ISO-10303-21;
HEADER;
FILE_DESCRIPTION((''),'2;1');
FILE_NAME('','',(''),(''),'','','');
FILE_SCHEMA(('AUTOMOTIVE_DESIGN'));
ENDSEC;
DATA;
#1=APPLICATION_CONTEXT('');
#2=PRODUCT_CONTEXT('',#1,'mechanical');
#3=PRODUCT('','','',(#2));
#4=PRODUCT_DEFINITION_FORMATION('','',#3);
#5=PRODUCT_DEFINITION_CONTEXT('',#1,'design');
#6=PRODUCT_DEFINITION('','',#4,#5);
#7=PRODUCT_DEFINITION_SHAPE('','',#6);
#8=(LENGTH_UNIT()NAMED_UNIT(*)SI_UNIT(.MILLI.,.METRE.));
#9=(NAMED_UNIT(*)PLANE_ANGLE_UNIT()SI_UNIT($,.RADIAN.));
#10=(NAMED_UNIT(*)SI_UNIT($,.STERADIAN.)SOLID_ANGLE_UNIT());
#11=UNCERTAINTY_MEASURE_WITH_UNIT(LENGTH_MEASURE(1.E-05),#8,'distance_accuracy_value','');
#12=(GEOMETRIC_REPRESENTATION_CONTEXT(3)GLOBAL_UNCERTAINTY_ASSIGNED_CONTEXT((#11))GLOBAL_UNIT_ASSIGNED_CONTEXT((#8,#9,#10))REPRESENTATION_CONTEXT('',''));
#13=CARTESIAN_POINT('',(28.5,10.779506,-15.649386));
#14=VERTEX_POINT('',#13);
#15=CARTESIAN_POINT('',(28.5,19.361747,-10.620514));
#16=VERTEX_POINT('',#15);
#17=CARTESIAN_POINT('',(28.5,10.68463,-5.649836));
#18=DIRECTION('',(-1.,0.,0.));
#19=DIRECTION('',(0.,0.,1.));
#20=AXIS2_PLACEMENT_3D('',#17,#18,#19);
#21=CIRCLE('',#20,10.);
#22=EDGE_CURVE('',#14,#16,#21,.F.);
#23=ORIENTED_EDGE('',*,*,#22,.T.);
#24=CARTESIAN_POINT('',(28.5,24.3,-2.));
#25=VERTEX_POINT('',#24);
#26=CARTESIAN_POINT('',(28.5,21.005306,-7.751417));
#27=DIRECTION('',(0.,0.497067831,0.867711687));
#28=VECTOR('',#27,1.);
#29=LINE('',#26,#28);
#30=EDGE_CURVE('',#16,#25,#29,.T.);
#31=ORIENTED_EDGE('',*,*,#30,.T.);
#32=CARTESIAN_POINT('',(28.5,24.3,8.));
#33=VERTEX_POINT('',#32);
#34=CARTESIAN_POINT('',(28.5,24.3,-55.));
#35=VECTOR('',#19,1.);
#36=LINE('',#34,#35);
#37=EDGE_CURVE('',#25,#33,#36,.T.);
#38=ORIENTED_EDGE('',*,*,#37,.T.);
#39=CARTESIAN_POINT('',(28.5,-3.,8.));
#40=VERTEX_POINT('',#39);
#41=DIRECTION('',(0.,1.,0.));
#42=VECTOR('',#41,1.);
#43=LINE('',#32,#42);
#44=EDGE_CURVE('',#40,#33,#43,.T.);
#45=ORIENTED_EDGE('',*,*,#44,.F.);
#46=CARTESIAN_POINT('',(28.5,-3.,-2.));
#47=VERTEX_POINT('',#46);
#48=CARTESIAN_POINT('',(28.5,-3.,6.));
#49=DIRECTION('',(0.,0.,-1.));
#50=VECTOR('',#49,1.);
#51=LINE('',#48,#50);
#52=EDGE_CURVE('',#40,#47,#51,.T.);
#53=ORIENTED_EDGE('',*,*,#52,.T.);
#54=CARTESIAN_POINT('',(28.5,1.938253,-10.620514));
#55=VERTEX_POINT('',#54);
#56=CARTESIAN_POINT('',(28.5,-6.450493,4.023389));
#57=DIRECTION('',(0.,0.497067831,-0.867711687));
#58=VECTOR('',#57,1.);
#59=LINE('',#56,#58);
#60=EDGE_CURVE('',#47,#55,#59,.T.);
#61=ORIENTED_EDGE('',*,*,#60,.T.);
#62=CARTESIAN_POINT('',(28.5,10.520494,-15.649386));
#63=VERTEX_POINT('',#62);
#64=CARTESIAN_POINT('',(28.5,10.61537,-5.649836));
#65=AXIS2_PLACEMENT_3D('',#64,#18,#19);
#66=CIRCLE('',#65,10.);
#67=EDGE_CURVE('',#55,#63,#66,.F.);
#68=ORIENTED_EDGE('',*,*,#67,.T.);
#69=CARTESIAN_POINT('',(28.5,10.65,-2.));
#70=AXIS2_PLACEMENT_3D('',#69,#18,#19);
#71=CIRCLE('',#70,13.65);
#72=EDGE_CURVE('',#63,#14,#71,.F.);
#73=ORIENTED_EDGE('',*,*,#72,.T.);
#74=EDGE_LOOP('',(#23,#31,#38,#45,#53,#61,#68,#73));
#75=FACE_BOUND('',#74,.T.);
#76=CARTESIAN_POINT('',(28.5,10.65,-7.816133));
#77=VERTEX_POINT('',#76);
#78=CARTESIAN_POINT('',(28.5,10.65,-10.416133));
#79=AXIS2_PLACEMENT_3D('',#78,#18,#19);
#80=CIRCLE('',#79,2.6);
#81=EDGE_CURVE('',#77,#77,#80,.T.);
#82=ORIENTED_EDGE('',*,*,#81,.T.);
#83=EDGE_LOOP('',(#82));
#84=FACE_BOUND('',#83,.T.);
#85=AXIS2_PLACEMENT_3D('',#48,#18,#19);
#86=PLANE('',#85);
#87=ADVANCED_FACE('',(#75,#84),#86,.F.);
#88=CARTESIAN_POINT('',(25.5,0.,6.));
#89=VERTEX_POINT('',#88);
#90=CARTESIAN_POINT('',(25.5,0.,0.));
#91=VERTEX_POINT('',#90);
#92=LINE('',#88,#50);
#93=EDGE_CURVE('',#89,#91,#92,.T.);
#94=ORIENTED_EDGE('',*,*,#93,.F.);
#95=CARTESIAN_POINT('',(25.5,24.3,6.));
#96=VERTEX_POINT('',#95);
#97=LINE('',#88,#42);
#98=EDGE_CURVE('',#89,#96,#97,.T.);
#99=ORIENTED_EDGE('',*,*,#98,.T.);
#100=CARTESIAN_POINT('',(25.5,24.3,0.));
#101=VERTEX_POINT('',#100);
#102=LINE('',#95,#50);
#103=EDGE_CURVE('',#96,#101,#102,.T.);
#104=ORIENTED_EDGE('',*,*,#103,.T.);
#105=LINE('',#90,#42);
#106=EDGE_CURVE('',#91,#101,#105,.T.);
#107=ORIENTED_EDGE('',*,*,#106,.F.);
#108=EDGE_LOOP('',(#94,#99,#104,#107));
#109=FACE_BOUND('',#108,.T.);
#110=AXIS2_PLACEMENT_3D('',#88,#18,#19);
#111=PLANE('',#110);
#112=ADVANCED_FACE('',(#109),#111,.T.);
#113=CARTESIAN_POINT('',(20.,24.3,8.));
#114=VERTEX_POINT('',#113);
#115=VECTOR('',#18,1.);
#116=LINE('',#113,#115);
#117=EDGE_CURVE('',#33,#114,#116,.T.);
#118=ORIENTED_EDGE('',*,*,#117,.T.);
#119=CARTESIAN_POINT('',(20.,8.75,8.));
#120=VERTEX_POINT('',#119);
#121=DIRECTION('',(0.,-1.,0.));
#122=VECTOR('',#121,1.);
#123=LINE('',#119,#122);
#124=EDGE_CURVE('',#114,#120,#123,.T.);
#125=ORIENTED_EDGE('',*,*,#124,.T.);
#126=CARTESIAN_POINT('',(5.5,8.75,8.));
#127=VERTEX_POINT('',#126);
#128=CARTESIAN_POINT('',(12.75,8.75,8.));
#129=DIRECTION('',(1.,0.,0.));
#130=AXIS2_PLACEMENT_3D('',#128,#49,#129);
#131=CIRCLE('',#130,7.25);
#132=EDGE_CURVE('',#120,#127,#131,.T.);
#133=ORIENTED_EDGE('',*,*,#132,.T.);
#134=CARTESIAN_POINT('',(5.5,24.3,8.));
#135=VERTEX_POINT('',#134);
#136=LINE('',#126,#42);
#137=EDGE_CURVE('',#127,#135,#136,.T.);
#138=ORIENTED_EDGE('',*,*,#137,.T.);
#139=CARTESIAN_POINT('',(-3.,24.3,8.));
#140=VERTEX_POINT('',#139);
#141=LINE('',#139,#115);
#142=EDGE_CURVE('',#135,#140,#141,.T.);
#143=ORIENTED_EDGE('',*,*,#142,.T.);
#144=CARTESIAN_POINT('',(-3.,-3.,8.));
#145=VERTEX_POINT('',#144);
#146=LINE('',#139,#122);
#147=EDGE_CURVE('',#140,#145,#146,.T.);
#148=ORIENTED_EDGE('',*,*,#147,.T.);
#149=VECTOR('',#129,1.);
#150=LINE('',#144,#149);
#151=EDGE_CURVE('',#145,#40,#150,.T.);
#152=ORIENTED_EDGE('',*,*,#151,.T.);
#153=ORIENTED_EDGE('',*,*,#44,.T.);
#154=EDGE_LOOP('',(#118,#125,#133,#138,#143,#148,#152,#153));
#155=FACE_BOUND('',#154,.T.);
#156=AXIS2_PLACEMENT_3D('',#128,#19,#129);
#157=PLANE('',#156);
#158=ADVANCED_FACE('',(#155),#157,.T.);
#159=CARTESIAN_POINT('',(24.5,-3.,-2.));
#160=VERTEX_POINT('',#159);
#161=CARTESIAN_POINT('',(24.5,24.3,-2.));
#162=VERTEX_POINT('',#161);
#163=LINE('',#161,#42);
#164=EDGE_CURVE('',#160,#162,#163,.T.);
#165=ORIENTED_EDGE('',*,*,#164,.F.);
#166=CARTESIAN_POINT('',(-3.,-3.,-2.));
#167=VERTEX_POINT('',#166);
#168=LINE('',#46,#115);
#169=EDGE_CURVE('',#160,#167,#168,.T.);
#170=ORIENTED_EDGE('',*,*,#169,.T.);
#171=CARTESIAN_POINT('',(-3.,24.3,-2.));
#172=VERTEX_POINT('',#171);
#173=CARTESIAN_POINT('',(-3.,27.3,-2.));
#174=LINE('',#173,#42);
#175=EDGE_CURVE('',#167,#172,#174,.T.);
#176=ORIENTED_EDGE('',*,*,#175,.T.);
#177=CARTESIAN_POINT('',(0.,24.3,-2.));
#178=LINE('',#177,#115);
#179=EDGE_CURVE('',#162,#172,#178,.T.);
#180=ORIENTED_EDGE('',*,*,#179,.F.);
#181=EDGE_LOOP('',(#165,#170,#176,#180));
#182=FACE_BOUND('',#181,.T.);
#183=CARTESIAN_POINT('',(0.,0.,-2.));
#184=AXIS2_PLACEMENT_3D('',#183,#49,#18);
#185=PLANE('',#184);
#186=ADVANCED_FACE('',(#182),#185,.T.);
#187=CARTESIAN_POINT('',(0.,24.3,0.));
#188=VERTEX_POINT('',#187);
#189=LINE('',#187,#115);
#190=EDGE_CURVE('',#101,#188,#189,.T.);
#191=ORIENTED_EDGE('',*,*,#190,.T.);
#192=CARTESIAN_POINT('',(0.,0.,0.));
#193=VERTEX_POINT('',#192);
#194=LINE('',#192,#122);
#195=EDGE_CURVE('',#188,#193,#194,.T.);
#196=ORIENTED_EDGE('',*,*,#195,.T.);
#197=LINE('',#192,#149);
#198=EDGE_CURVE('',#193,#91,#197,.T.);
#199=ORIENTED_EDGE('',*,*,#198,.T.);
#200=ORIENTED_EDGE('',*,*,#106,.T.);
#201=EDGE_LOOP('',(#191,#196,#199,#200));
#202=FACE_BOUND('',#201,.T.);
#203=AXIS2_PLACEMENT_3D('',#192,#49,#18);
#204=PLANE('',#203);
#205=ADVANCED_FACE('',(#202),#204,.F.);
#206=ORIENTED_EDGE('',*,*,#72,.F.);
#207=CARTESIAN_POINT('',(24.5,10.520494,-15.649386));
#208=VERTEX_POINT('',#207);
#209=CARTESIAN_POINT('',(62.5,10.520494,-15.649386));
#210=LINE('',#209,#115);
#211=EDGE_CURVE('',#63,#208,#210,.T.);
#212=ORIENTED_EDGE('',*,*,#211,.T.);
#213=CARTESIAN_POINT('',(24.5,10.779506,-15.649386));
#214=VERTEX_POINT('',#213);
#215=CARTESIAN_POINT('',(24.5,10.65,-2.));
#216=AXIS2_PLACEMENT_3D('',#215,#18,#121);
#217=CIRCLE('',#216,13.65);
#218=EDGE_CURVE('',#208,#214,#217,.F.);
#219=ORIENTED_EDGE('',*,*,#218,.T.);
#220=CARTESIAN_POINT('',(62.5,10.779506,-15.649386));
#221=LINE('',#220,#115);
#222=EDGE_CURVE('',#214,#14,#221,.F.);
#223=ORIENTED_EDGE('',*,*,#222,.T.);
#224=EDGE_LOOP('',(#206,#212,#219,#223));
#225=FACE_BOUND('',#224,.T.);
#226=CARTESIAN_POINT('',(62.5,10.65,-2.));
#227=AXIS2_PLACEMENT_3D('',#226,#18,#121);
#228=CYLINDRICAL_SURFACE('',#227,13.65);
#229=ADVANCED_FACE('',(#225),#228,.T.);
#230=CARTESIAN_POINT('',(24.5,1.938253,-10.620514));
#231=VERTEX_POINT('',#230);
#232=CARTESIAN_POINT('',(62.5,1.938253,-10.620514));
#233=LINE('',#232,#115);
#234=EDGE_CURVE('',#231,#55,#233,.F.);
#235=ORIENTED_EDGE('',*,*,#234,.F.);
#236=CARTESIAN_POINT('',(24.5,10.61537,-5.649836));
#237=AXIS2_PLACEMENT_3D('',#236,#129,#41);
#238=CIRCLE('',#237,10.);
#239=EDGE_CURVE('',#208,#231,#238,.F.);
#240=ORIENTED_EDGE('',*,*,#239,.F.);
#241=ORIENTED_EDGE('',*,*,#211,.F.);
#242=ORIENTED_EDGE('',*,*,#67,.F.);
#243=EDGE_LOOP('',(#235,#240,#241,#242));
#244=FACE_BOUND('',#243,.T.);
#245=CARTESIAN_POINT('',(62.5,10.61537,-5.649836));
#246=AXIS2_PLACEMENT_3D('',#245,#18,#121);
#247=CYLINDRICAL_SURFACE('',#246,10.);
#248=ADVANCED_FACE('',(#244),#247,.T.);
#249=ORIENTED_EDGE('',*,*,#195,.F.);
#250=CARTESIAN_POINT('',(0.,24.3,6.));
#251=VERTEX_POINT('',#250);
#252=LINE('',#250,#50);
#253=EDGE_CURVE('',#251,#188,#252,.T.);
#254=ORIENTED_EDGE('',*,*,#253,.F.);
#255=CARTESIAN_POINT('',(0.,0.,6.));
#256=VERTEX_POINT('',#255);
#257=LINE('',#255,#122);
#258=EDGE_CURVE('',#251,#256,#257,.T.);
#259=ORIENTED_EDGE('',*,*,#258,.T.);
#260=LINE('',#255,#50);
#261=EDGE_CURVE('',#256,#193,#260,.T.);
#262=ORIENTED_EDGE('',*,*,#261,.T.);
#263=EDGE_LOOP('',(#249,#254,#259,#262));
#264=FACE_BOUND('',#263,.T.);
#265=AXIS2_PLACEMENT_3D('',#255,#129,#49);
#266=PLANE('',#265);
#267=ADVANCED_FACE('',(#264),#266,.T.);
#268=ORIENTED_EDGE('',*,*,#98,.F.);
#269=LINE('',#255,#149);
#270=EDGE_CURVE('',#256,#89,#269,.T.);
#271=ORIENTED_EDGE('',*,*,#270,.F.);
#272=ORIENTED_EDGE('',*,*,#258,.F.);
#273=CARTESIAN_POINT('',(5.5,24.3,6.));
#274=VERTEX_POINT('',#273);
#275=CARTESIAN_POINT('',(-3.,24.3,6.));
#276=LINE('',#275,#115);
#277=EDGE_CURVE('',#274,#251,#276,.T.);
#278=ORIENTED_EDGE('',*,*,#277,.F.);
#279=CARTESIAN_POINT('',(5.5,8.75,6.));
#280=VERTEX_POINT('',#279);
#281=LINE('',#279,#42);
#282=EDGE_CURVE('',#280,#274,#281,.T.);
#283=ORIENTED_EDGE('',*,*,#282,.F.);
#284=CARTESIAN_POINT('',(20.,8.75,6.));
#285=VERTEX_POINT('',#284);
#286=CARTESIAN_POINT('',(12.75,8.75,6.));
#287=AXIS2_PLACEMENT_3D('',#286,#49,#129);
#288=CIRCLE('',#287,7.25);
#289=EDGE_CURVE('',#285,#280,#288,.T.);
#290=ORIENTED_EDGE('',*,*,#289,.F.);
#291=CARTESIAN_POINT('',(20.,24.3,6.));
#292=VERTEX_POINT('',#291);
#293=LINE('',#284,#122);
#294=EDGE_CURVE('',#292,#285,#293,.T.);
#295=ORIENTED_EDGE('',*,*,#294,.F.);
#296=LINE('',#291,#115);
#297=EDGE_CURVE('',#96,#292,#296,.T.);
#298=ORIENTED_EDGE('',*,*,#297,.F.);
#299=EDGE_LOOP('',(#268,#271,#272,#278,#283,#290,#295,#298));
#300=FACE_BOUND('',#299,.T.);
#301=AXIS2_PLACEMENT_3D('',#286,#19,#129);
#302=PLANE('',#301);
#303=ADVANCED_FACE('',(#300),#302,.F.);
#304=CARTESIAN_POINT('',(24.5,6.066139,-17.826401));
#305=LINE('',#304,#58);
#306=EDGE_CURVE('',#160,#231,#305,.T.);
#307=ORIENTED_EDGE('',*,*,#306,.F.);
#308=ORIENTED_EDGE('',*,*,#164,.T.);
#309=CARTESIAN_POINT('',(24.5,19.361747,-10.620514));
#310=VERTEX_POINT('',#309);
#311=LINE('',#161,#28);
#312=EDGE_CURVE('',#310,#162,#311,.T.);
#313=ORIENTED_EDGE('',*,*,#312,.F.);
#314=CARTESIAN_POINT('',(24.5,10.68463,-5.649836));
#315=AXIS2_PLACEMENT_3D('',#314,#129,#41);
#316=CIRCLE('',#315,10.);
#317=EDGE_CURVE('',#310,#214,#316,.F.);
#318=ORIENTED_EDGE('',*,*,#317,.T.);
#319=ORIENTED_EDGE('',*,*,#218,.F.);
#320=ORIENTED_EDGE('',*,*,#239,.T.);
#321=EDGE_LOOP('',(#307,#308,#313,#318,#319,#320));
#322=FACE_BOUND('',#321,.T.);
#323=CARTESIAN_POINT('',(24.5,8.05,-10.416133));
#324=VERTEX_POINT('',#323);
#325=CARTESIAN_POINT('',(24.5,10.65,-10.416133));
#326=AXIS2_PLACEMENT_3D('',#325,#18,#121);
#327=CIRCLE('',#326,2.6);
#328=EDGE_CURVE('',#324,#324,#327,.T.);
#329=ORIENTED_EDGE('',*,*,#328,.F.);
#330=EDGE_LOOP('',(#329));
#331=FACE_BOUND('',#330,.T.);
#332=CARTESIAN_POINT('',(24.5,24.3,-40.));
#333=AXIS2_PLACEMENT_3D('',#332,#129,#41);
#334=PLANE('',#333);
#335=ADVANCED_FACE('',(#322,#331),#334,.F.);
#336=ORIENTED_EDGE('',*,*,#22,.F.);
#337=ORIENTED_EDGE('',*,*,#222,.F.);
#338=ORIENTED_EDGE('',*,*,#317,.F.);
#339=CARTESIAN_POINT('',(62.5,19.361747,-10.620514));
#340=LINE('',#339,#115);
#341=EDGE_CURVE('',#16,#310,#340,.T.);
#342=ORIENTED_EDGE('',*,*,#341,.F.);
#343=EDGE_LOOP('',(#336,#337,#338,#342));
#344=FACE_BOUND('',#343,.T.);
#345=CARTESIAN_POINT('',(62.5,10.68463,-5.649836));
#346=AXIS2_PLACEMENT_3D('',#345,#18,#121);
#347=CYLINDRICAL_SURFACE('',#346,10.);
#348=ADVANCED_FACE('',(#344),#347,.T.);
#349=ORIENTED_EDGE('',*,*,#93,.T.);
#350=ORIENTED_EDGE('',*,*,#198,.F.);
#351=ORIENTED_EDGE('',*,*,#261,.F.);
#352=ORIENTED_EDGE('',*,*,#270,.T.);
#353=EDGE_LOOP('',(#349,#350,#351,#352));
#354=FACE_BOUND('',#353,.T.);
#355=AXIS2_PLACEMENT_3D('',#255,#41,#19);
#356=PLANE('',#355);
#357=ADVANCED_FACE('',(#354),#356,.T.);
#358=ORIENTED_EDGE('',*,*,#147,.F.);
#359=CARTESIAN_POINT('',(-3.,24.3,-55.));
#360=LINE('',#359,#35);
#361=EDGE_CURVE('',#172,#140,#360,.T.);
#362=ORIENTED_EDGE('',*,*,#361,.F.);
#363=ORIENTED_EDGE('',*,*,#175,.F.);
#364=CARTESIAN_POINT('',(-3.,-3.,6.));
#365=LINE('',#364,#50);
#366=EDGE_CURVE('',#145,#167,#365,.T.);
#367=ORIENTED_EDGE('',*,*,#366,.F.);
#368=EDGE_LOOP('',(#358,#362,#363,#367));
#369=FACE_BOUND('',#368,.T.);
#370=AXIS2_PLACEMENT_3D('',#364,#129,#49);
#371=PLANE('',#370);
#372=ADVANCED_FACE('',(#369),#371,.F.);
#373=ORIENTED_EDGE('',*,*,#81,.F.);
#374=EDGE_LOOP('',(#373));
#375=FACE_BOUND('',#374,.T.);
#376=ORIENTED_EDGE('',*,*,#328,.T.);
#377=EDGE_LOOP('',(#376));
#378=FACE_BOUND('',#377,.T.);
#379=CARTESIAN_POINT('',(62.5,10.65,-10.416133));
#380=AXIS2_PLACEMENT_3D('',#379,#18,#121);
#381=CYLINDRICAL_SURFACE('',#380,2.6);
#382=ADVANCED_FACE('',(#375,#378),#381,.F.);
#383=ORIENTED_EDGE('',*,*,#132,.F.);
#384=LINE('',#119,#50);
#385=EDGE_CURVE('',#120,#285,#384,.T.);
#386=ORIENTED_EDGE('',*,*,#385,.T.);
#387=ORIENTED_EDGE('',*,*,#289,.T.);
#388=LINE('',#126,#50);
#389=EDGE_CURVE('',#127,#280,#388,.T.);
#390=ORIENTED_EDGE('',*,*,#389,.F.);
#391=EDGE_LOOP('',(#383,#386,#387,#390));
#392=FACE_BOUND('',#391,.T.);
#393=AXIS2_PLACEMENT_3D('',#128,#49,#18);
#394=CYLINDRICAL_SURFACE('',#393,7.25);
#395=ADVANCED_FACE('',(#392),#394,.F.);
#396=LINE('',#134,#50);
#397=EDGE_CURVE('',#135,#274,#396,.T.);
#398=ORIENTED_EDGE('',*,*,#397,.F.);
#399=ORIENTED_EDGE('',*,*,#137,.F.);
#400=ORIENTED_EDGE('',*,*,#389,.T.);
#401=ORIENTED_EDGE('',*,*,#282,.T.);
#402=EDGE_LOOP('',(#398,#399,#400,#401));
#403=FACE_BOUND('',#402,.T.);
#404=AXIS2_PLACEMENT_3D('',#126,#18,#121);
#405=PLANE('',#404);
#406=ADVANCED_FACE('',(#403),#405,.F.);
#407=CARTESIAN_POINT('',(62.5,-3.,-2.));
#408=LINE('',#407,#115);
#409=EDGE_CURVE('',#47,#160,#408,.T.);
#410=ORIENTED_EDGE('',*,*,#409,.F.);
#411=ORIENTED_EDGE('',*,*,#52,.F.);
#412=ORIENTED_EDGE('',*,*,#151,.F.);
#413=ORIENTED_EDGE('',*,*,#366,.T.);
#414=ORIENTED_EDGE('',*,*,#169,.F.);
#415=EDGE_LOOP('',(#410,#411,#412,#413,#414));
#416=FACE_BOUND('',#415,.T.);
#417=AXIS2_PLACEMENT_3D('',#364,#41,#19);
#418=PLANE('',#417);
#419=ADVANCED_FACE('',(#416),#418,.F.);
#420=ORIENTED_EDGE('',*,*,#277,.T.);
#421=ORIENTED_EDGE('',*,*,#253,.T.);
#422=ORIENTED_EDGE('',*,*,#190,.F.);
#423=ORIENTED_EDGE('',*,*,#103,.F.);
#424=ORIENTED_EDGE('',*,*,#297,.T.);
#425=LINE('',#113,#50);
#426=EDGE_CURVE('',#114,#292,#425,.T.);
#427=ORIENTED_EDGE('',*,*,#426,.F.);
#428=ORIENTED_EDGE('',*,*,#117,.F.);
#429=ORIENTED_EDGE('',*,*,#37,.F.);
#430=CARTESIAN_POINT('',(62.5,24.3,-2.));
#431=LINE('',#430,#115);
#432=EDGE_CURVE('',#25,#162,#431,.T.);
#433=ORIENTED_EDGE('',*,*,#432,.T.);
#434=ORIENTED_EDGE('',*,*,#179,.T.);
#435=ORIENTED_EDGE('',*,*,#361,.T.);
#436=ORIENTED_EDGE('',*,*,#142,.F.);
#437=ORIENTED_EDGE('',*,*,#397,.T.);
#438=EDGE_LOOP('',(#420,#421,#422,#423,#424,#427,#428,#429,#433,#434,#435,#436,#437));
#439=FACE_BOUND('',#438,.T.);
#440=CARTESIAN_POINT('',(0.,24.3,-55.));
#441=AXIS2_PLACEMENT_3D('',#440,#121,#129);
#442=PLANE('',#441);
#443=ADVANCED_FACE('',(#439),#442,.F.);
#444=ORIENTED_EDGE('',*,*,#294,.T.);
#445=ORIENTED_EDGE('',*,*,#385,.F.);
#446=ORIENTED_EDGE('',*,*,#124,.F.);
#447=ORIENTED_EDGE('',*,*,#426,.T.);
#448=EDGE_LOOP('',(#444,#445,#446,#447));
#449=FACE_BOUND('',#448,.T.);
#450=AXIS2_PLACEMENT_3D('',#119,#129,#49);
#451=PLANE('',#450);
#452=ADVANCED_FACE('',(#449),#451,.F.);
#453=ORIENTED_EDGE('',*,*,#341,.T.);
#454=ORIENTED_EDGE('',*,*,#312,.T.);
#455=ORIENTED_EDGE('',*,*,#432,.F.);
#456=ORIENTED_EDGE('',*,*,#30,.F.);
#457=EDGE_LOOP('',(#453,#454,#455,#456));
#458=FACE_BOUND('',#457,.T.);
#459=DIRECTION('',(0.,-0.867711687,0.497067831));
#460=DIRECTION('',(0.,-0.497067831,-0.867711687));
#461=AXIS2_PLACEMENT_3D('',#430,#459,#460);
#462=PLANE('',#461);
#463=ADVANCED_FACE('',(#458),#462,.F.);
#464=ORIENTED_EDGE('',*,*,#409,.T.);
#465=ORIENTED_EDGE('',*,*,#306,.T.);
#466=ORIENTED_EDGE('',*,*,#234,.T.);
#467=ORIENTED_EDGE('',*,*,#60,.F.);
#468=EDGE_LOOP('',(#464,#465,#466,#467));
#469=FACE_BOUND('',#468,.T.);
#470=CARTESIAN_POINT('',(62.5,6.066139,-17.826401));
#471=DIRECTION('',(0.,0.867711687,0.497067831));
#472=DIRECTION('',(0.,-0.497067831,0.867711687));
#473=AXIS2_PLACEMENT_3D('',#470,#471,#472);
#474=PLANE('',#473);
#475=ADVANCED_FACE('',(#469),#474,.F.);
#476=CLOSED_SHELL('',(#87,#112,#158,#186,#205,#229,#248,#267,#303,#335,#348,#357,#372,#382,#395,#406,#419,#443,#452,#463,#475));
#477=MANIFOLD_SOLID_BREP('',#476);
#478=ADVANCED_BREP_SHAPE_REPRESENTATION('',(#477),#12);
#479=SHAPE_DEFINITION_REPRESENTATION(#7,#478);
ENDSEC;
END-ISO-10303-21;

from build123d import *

# Parameters (mm, degrees)
SKETCH1_W           = 31.5
SKETCH1_H           = 30.3
SKETCH1_W_2         = 25.5
SKETCH1_H_2         = 24.3
BOSS_EXTRUDE1_DEPTH = 6
SKETCH2_W           = 31.5
SKETCH2_H           = 30.3
BOSS_EXTRUDE2_DEPTH = 2
CUT_EXTRUDE1_DEPTH  = 61
BOSS_EXTRUDE3_DEPTH = 2
SKETCH5_W           = 4
SKETCH5_H           = 27.3
BOSS_EXTRUDE4_DEPTH = 38
CUT_EXTRUDE2_DEPTH  = 38
SKETCH7_R           = 2.6
CUT_EXTRUDE3_DEPTH  = 38
CUT_EXTRUDE4_DEPTH  = 38
FILLET1_R           = 10


with BuildPart() as part:
    # Sketch1 → Boss-Extrude1 (new body)
    with BuildSketch(Plane.XY):
        with Locations((12.75, 12.15)):
            Rectangle(SKETCH1_W, SKETCH1_H)
        with Locations((12.75, 12.15)):
            Rectangle(SKETCH1_W_2, SKETCH1_H_2, mode=Mode.SUBTRACT)
    extrude(amount=BOSS_EXTRUDE1_DEPTH)

    # Sketch2 → Boss-Extrude2 (add)
    with BuildSketch(Plane(origin=(0, 0, 0), x_dir=(-1, 0, 0), z_dir=(0, 0, -1))):
        with Locations((-12.75, 12.15)):
            Rectangle(SKETCH2_W, SKETCH2_H)
    extrude(amount=BOSS_EXTRUDE2_DEPTH)

    # Sketch3 → Cut-Extrude1 (cut)
    with BuildSketch(Plane.XY.offset(6)):
        Polygon((-3, 24.391972576), (-3, 27.3), (28.5, 27.3), (28.5, 24.391972576), (28.5, 24.3), (0, 24.3), (-3, 24.3), align=None)
    extrude(amount=-CUT_EXTRUDE1_DEPTH, mode=Mode.SUBTRACT)

    # Sketch4 → Boss-Extrude3 (add)
    with BuildSketch(Plane.XY.offset(6)):
        with BuildLine():
            Line((-3, 24.3), (5.5, 24.3))
            Line((5.5, 24.3), (5.5, 8.75))
            ThreePointArc((5.5, 8.75), (12.75, 1.5), (20, 8.75))
            Line((20, 8.75), (20, 24.3))
            Line((20, 24.3), (28.5, 24.3))
            Line((28.5, 24.3), (28.5, -3))
            Line((28.5, -3), (-3, -3))
            Line((-3, -3), (-3, 24.3))
        make_face()
    extrude(amount=BOSS_EXTRUDE3_DEPTH)

    # Sketch5 → Boss-Extrude4 (add)
    with BuildSketch(Plane(origin=(0, 0, -2), x_dir=(-1, 0, 0), z_dir=(0, 0, -1))):
        with Locations((-26.5, 10.65)):
            Rectangle(SKETCH5_W, SKETCH5_H)
    extrude(amount=BOSS_EXTRUDE4_DEPTH)

    # Sketch6 → Cut-Extrude2 (cut)
    with BuildSketch(Plane.ZY.offset(-24.5)):
        with BuildLine():
            Line((-2, -3), (-40, -3))
            Line((-40, -3), (-40, 24.3))
            Line((-40, 24.3), (-2, 24.3))
            Line((-2, 24.3), (-17.826401454, 15.23386068))
            ThreePointArc((-17.826401454, 15.23386068), (-18.562622883, 14.501365189), (-18.832265792, 13.498437306))
            Line((-18.832265792, 13.498437306), (-18.832265792, 7.801562694))
            ThreePointArc((-18.832265792, 7.801562694), (-18.562622883, 6.798634811), (-17.826401454, 6.06613932))
            Line((-17.826401454, 6.06613932), (-2, -3))
        make_face()
    extrude(amount=-CUT_EXTRUDE2_DEPTH, mode=Mode.SUBTRACT)

    # Sketch7 → Cut-Extrude3 (cut)
    with BuildSketch(Plane.ZY.offset(-24.5)):
        with Locations(Location((-10.416132896, 10.65, 0), (0, 0, 270))):
            Circle(SKETCH7_R)
    extrude(amount=-CUT_EXTRUDE3_DEPTH, mode=Mode.SUBTRACT)

    # Sketch8 → Cut-Extrude4 (cut)
    with BuildSketch(Plane.ZY.offset(-24.5)):
        with BuildLine():
            ThreePointArc((-11.252656387, 0.614520451), (-15.36913817, 13.404749459), (-6.531723112, 23.52579068))
            Line((-6.531723112, 23.52579068), (-21.13731595, 18.385251799))
            Line((-21.13731595, 18.385251799), (-20.671768388, 0.766067146))
            Line((-20.671768388, 0.766067146), (-11.252656387, 0.614520451))
        make_face()
    extrude(amount=-CUT_EXTRUDE4_DEPTH, mode=Mode.SUBTRACT)

    # Fillet1
    fillet1_edges = [part.edges().sort_by_distance(p)[0] for p in [
        (26.5, 3.7451865, -13.774805753),
        (26.5, 17.5548135, -13.774805753),
    ]]
    fillet(fillet1_edges, radius=FILLET1_R)


solid = part.part
